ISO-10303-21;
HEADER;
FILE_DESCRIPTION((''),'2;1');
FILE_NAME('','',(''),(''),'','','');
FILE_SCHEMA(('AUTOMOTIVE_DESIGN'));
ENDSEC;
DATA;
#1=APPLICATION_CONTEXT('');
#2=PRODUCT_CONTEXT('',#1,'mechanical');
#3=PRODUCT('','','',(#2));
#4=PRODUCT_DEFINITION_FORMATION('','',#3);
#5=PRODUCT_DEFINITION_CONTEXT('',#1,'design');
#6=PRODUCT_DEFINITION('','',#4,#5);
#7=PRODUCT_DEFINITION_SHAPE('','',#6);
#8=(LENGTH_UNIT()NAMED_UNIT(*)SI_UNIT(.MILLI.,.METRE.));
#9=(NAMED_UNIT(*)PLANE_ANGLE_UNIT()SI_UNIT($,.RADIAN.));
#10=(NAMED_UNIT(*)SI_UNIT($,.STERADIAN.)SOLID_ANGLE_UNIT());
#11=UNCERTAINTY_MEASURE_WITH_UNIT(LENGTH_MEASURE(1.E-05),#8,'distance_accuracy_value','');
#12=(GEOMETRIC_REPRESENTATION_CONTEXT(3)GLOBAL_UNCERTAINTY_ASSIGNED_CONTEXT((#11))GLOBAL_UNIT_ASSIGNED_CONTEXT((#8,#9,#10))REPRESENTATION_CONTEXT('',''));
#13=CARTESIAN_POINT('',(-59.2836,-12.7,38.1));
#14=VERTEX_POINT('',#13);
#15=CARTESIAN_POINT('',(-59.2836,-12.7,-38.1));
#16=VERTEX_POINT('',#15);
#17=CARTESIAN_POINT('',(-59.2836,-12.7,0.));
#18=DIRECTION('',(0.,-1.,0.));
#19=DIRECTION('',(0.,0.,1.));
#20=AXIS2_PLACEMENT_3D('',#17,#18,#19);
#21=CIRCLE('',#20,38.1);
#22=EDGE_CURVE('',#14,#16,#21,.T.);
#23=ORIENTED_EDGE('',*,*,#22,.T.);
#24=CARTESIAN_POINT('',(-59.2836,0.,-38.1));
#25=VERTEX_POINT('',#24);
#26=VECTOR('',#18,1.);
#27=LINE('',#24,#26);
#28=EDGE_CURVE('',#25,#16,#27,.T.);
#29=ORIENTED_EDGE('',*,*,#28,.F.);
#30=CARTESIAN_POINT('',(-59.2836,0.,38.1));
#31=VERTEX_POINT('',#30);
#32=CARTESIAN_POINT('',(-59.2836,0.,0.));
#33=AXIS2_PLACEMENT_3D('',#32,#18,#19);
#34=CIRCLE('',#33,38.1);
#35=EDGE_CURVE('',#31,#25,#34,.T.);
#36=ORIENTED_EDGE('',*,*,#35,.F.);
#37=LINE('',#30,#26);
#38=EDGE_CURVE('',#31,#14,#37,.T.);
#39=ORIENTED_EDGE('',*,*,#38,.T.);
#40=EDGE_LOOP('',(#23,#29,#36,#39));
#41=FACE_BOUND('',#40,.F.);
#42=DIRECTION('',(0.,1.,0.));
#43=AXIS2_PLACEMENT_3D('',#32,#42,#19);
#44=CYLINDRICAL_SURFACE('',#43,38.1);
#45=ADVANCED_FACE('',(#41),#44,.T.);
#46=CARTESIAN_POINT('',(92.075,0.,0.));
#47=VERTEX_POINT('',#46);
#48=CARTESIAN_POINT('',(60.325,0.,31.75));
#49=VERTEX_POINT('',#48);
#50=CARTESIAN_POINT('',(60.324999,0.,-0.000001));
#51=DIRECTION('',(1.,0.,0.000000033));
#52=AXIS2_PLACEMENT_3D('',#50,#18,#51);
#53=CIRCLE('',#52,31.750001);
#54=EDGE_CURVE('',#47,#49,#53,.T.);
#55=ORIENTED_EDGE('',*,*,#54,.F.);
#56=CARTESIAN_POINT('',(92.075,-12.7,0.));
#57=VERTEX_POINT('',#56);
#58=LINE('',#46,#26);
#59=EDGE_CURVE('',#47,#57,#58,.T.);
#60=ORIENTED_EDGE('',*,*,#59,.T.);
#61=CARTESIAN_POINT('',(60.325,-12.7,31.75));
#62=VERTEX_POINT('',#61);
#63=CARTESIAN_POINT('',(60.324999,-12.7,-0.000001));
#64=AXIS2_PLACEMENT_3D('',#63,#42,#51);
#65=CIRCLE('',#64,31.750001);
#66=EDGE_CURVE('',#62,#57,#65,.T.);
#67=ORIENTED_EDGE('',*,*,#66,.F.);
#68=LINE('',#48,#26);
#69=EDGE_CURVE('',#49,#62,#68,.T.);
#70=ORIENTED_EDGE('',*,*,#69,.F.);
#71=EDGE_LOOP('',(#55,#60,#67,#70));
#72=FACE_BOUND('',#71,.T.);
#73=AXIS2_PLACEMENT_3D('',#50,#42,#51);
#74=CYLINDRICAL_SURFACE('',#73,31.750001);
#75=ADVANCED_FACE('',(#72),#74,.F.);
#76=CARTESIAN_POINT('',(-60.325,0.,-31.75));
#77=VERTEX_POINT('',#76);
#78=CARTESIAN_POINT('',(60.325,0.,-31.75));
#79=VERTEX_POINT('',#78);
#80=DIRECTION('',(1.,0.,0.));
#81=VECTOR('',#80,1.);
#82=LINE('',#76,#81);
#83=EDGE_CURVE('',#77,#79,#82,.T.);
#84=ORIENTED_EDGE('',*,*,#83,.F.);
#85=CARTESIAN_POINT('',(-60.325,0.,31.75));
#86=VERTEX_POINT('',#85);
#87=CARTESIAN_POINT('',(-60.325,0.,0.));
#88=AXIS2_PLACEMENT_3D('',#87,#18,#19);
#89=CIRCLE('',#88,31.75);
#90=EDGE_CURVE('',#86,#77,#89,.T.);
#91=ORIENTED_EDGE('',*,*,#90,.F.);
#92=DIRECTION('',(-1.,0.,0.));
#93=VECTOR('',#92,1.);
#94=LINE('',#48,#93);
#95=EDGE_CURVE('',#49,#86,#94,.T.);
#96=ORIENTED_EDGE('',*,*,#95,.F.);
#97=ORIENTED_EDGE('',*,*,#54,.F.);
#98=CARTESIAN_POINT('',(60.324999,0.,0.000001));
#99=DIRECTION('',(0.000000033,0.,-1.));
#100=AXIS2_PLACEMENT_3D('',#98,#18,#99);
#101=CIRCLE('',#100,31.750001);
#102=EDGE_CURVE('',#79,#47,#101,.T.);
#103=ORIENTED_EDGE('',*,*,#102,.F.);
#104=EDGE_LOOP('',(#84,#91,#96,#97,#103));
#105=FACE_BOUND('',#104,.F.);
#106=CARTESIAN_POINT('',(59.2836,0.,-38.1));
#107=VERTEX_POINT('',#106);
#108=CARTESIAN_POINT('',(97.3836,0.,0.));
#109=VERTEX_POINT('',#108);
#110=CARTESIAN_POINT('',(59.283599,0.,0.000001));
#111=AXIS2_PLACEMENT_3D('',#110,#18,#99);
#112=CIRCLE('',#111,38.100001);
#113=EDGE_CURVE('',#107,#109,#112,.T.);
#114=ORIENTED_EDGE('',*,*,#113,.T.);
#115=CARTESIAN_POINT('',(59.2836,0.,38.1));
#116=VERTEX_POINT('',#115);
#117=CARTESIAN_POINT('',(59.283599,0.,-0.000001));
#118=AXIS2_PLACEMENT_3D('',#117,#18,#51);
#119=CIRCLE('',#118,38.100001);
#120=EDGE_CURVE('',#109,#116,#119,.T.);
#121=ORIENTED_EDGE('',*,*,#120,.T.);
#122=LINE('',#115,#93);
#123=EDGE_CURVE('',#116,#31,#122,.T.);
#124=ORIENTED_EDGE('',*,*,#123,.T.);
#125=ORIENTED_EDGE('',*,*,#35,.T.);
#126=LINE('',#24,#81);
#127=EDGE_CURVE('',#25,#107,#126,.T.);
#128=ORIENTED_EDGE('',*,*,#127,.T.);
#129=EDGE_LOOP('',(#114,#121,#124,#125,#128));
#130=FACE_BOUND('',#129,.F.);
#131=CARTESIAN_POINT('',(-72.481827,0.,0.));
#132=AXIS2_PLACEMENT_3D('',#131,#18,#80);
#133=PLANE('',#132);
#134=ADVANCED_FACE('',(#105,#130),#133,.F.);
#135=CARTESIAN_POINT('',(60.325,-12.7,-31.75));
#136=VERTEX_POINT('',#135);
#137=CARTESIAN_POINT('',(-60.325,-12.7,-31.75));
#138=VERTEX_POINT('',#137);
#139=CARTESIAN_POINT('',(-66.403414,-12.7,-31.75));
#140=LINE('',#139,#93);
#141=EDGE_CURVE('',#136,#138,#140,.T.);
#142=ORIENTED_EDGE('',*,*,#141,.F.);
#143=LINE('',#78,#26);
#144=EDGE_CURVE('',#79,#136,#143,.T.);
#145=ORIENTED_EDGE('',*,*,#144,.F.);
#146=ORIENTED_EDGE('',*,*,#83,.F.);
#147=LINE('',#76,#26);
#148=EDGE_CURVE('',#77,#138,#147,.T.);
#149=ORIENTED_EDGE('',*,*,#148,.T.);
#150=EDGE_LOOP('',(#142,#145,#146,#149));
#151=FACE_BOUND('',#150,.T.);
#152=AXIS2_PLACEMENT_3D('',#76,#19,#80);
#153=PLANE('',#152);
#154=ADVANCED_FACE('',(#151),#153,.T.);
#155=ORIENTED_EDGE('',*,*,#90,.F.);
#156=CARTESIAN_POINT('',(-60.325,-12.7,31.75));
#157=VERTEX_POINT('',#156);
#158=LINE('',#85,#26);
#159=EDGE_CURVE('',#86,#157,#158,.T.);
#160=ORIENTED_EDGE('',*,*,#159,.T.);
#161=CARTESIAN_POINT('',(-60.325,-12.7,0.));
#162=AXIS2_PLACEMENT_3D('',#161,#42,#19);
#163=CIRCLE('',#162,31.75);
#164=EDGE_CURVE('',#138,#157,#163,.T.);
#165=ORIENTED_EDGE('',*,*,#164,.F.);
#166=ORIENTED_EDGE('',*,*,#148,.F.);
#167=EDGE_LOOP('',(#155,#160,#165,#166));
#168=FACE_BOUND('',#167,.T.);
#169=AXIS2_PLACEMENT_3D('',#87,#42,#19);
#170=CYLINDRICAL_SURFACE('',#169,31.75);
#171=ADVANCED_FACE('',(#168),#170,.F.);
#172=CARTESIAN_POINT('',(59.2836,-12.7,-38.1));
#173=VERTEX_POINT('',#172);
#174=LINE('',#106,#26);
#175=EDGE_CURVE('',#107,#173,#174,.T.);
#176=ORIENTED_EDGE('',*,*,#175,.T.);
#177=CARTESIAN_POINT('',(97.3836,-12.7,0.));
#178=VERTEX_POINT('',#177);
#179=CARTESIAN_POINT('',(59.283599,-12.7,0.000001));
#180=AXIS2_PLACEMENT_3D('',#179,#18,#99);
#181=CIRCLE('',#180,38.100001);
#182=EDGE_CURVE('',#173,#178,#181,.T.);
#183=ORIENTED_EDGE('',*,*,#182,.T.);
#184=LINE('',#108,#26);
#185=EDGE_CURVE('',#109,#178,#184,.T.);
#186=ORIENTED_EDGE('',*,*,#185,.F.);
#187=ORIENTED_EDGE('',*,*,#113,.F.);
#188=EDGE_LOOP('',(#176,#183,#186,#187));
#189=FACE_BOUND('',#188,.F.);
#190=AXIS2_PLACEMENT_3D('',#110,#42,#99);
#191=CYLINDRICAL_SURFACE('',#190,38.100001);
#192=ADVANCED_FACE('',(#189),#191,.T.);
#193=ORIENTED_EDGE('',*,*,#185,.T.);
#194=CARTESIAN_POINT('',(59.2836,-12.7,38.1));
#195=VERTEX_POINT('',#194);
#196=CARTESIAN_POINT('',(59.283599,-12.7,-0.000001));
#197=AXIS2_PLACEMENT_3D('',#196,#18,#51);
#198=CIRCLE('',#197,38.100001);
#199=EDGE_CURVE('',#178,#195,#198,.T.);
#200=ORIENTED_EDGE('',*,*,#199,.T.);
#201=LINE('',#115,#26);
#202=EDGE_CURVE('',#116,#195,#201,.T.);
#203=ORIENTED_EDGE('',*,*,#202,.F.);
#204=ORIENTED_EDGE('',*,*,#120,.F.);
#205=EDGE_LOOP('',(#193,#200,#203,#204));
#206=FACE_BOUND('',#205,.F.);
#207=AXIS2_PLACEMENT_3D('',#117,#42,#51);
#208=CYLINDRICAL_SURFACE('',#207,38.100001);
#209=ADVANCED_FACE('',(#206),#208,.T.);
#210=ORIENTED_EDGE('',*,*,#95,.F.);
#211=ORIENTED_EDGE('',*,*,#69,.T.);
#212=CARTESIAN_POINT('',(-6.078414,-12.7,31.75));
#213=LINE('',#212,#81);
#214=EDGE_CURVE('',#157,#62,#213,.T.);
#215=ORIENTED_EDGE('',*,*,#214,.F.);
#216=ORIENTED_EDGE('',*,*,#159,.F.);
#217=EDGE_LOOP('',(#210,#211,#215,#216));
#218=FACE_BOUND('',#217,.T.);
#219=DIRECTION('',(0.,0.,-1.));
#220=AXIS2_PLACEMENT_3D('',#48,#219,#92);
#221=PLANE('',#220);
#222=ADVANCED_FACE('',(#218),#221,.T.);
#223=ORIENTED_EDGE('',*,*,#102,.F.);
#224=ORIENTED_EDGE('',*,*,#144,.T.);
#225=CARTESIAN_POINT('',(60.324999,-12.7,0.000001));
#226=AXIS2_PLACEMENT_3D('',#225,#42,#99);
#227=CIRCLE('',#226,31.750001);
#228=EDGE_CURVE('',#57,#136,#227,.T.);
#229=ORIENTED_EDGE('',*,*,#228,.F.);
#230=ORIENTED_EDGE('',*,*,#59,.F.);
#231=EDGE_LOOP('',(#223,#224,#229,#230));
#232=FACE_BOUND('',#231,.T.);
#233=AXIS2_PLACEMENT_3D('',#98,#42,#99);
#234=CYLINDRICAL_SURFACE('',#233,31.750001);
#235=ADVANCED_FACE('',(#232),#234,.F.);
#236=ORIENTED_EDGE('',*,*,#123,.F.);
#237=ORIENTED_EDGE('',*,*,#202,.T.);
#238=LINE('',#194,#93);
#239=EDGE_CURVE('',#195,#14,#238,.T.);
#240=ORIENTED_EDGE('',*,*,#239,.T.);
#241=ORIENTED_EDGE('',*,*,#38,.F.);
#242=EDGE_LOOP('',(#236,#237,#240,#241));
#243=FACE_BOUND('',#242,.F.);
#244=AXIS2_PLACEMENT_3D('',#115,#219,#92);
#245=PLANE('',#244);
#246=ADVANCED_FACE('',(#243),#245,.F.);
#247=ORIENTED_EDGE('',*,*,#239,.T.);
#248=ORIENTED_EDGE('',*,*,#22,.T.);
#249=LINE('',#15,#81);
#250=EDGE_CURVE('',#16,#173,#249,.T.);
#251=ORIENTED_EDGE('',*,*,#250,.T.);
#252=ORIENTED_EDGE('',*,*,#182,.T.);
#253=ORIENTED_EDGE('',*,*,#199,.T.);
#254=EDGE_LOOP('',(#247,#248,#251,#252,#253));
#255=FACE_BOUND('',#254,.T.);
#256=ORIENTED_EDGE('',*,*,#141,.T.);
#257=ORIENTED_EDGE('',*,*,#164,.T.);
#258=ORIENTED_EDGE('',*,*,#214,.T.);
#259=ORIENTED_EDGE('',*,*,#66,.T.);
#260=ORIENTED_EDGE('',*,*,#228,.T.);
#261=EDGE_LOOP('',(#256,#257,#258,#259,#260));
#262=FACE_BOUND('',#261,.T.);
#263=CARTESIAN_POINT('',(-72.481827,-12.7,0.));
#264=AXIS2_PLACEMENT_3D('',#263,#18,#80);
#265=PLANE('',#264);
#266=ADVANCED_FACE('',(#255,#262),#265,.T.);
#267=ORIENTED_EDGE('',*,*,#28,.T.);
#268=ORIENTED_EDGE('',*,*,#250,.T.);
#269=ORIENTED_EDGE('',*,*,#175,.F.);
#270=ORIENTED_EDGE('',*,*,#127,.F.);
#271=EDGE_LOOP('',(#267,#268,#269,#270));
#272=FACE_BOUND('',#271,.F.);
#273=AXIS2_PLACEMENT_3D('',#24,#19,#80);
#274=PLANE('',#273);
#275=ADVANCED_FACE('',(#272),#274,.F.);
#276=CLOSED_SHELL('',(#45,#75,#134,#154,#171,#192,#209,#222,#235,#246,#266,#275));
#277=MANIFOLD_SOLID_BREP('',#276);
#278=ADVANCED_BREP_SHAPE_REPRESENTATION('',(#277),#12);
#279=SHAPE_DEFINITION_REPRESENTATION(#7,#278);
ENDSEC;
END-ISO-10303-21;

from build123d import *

# Parameters (mm, degrees)
F1_DEPTH = 12.7
F3_DEPTH = 25.4


with BuildPart() as f1:
    # F0 (on Front) → F1 (new body)
    with BuildSketch(Plane.XZ):
        with BuildLine():
            Line((-59.2836, 0), (-59.2836, 38.1))
            ThreePointArc((-59.2836, 38.1), (-97.3836, 0), (-59.2836, -38.1))
            Line((-59.2836, -38.1), (-59.2836, 0))
        make_face()
        with BuildLine():
            ThreePointArc((-21.1836, 0), (-32.342832, 26.940768), (-59.2836, 38.1))
            Line((-59.2836, 38.1), (-59.2836, 0))
            Line((-59.2836, 0), (-59.2836, -38.1))
            ThreePointArc((-59.2836, -38.1), (-32.342832, -26.940768), (-21.1836, 0))
        make_face()
        with BuildLine():
            Line((59.2836, 38.1), (-59.2836, 38.1))
            ThreePointArc((-59.2836, 38.1), (-32.342832, 26.940768), (-21.1836, 0))
            ThreePointArc((-21.1836, 0), (-32.342832, -26.940768), (-59.2836, -38.1))
            Line((-59.2836, -38.1), (59.2836, -38.1))
            ThreePointArc((59.2836, -38.1), (21.1836, 0), (59.2836, 38.1))
        make_face()
        with BuildLine():
            Line((59.2836, 0), (59.2836, 38.1))
            ThreePointArc((59.2836, 38.1), (21.1836, 0), (59.2836, -38.1))
            Line((59.2836, -38.1), (59.2836, 0))
        make_face()
        with BuildLine():
            ThreePointArc((97.3836, 0), (86.224368, 26.940768), (59.2836, 38.1))
            Line((59.2836, 38.1), (59.2836, 0))
            Line((59.2836, 0), (59.2836, -38.1))
            ThreePointArc((59.2836, -38.1), (86.224368, -26.940768), (97.3836, 0))
        make_face()
    extrude(amount=F1_DEPTH)

    # F2 (on Front) → F3 (cut)
    with BuildSketch(Plane.XZ):
        with BuildLine():
            Line((-60.325, 0), (-60.325, 31.75))
            ThreePointArc((-60.325, 31.75), (-92.075, 0), (-60.325, -31.75))
            Line((-60.325, -31.75), (-60.325, 0))
        make_face()
        with BuildLine():
            ThreePointArc((-28.575, 0), (-37.87436, 22.45064), (-60.325, 31.75))
            Line((-60.325, 31.75), (-60.325, 0))
            Line((-60.325, 0), (-60.325, -31.75))
            ThreePointArc((-60.325, -31.75), (-37.87436, -22.45064), (-28.575, 0))
        make_face()
        with BuildLine():
            ThreePointArc((60.325, -31.75), (28.575, 0), (60.325, 31.75))
            Line((60.325, 31.75), (-60.325, 31.75))
            ThreePointArc((-60.325, 31.75), (-37.87436, 22.45064), (-28.575, 0))
            ThreePointArc((-28.575, 0), (-37.87436, -22.45064), (-60.325, -31.75))
            Line((-60.325, -31.75), (60.325, -31.75))
        make_face()
        with BuildLine():
            Line((60.325, 0), (60.325, 31.75))
            ThreePointArc((60.325, 31.75), (28.575, 0), (60.325, -31.75))
            Line((60.325, -31.75), (60.325, 0))
        make_face()
        with BuildLine():
            ThreePointArc((92.075, 0), (82.77564, 22.45064), (60.325, 31.75))
            Line((60.325, 31.75), (60.325, 0))
            Line((60.325, 0), (60.325, -31.75))
            ThreePointArc((60.325, -31.75), (82.77564, -22.45064), (92.075, 0))
        make_face()
    extrude(amount=F3_DEPTH, mode=Mode.SUBTRACT)


solid = f1.part
